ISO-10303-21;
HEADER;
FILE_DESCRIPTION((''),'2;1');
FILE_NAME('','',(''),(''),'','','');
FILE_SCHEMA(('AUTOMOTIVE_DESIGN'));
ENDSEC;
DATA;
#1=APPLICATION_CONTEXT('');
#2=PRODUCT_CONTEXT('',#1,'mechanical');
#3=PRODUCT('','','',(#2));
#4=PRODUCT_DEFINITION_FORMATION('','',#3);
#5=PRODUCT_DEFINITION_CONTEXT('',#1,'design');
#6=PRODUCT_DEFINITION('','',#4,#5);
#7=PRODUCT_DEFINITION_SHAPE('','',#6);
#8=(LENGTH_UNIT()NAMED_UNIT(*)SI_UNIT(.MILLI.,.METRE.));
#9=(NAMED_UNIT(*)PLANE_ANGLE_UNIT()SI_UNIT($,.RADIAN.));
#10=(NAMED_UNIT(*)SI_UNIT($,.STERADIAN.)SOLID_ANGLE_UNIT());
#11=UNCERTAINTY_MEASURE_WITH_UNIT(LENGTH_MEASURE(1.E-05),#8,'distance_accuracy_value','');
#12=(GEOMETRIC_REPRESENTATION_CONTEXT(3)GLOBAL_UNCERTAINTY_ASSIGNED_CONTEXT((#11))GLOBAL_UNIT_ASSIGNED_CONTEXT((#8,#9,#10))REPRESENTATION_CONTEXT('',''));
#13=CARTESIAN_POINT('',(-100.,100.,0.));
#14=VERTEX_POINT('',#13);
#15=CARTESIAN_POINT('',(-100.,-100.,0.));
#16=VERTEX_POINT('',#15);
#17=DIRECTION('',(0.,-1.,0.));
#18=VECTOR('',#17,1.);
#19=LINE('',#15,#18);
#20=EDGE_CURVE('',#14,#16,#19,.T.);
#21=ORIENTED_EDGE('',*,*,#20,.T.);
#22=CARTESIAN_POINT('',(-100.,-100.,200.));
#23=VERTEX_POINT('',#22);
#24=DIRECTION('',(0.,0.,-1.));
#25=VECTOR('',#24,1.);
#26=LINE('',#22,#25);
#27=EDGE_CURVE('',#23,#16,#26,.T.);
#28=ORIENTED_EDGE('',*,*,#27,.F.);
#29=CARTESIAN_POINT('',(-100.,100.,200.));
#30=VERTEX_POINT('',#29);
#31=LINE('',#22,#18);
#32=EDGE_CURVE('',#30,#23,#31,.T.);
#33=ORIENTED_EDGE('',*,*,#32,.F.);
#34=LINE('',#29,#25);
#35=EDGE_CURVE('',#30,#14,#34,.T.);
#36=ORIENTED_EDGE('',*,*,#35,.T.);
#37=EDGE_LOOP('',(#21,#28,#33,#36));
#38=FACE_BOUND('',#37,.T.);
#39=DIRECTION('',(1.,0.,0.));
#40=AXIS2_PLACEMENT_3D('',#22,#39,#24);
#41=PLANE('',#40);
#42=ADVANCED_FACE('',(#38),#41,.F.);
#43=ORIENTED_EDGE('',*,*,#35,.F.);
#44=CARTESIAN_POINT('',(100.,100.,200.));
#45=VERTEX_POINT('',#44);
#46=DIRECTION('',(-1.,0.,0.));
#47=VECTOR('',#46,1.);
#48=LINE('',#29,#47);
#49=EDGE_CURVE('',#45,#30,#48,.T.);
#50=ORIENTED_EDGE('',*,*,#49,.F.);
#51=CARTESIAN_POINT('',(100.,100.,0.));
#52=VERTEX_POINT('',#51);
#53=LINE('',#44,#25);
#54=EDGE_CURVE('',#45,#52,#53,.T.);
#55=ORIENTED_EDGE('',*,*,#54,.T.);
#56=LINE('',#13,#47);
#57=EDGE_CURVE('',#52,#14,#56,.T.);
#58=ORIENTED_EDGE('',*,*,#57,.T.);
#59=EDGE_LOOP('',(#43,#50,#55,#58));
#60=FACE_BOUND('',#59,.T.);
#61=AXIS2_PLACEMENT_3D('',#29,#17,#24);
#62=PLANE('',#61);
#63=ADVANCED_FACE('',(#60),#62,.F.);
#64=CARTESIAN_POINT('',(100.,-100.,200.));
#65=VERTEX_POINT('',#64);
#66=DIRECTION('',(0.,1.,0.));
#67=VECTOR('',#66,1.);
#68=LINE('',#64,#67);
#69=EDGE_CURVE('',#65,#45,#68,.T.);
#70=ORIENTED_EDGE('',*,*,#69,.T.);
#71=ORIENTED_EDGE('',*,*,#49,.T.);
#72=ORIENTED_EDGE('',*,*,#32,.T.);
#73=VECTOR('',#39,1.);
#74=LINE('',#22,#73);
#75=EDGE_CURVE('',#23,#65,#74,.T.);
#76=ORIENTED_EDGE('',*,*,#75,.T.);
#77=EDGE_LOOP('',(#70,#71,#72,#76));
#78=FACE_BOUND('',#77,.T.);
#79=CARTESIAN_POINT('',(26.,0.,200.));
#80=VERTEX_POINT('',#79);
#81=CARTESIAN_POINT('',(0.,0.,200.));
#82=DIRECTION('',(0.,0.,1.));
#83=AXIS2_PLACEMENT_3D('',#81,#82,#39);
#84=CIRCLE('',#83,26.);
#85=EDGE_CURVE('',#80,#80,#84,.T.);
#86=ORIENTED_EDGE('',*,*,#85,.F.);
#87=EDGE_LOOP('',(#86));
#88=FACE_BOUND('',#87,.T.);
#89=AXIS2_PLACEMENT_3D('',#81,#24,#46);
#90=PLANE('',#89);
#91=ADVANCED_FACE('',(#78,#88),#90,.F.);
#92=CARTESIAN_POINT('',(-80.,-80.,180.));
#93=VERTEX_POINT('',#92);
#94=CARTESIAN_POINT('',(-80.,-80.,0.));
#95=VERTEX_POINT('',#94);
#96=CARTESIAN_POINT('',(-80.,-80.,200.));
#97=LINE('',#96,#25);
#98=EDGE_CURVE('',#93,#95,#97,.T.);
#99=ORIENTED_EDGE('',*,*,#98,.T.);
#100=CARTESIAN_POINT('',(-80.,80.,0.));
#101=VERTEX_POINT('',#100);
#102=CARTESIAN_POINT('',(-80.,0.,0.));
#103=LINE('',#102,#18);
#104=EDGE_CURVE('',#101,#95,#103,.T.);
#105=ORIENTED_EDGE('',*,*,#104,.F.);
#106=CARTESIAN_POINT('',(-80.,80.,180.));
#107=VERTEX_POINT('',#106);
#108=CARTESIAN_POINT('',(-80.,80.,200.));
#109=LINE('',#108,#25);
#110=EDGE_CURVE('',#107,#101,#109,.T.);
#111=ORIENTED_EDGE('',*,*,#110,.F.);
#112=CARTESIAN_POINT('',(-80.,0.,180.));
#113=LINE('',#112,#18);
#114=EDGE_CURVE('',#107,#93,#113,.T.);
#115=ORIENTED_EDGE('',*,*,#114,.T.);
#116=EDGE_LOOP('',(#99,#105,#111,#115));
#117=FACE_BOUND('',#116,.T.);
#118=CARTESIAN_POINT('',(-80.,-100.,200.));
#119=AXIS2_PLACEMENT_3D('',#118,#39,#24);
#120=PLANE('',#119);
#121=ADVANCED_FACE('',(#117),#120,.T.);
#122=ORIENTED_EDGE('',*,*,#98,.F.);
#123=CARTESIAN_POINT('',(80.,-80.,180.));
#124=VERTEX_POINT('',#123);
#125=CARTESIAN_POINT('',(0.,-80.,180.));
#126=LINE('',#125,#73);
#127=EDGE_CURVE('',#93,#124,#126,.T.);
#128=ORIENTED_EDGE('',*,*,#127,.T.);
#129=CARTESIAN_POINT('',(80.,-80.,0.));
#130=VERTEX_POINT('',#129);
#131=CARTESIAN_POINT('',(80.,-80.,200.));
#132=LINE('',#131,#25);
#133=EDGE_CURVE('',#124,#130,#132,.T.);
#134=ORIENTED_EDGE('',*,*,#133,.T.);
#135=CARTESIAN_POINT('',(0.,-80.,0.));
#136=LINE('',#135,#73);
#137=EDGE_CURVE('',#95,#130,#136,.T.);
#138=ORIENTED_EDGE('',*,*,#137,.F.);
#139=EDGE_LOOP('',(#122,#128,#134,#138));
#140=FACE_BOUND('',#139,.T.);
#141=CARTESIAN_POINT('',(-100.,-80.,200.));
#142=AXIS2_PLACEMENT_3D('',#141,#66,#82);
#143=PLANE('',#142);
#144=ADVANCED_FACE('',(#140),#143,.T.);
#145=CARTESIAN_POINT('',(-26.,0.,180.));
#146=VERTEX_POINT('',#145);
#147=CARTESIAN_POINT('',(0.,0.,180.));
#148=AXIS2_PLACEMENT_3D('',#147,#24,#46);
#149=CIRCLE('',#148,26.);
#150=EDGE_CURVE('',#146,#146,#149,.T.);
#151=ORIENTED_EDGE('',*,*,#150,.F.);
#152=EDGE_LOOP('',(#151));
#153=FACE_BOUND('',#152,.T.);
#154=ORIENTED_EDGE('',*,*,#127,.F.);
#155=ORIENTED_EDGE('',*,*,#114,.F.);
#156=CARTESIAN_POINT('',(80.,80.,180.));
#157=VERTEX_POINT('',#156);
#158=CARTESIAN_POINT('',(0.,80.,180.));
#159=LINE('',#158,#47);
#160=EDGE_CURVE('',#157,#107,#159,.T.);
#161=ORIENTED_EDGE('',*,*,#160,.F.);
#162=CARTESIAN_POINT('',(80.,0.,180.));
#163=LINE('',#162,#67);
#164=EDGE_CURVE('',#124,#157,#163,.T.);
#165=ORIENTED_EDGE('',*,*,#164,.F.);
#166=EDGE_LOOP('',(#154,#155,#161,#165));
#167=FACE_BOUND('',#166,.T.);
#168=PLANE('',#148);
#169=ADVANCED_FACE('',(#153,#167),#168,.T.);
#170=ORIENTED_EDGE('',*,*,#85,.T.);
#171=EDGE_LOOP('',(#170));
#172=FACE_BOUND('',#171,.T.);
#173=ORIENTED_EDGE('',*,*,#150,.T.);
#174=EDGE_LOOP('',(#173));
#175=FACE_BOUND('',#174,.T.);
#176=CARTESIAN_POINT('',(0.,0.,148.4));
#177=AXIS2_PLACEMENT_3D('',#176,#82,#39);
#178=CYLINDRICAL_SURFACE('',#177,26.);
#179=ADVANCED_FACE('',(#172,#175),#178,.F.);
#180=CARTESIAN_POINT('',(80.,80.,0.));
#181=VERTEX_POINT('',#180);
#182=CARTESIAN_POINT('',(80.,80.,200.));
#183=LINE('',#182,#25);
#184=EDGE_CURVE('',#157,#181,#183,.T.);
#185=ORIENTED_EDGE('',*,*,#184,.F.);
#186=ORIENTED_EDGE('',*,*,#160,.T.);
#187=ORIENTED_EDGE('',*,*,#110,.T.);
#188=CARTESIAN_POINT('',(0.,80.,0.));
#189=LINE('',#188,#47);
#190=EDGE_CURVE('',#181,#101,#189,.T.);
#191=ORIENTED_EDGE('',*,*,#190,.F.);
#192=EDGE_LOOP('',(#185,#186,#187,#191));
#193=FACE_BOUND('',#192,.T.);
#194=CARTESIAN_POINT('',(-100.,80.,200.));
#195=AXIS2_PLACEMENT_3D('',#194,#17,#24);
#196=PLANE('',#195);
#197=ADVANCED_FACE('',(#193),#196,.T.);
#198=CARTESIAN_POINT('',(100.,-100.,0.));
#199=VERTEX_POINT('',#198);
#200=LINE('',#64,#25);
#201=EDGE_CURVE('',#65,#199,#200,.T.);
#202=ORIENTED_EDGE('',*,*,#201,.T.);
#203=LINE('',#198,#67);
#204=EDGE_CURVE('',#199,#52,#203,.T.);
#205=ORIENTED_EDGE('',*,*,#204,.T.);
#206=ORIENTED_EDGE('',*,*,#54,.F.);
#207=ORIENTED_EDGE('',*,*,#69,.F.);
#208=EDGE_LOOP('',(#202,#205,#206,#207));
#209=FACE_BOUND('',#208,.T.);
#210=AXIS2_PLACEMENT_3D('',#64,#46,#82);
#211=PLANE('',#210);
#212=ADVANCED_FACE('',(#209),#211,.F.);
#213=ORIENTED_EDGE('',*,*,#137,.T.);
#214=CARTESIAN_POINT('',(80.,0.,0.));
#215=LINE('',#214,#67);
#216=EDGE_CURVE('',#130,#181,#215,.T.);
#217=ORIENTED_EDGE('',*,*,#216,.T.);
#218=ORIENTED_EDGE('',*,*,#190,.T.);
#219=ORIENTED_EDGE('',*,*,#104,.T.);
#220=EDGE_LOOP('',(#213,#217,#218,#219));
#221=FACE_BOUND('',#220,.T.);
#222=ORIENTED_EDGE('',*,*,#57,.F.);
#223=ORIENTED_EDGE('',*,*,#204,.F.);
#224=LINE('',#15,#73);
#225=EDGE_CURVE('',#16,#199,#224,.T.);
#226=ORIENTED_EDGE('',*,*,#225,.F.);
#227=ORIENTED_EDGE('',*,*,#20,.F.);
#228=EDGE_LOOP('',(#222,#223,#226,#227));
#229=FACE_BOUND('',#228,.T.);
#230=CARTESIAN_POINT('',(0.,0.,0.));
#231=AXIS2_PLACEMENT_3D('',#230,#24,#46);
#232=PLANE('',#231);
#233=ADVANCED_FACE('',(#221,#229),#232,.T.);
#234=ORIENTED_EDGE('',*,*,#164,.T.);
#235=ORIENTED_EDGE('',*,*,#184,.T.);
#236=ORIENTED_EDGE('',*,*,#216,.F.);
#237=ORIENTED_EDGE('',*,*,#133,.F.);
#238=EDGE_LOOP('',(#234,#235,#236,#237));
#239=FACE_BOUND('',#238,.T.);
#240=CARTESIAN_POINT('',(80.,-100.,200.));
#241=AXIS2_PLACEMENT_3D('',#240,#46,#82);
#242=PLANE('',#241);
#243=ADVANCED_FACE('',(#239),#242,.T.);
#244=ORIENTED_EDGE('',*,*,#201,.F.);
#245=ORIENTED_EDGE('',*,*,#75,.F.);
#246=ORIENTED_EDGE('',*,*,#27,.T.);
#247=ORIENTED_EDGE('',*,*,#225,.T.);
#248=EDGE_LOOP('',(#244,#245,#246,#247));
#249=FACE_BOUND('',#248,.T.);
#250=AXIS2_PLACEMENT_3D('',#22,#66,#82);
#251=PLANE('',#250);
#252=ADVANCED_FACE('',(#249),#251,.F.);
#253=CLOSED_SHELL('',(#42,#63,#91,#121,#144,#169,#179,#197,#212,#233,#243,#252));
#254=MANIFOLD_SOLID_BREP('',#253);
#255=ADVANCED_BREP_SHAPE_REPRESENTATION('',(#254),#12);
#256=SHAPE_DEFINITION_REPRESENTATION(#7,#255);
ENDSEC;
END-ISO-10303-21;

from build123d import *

# Parameters (mm, degrees)
SKETCH5_W           = 200
SKETCH5_H           = 200
BOSS_EXTRUDE2_DEPTH = 200
SHELL2_T            = -20
SKETCH6_R           = 26
CUT_EXTRUDE2_DEPTH  = 51.6


with BuildPart() as part:
    # Sketch5 → Boss-Extrude2 (new body)
    with BuildSketch(Plane.XY):
        Rectangle(SKETCH5_W, SKETCH5_H)
    extrude(amount=BOSS_EXTRUDE2_DEPTH)

    # Shell2
    shell2_openings = [part.faces().sort_by_distance(p)[0] for p in [
        (0, 0, 0),
    ]]
    offset(amount=SHELL2_T, openings=shell2_openings, kind=Kind.INTERSECTION)

    # Sketch6 → Cut-Extrude2 (cut)
    with BuildSketch(Plane.XY.offset(200)):
        Circle(SKETCH6_R)
    extrude(amount=-CUT_EXTRUDE2_DEPTH, mode=Mode.SUBTRACT)


solid = part.part
